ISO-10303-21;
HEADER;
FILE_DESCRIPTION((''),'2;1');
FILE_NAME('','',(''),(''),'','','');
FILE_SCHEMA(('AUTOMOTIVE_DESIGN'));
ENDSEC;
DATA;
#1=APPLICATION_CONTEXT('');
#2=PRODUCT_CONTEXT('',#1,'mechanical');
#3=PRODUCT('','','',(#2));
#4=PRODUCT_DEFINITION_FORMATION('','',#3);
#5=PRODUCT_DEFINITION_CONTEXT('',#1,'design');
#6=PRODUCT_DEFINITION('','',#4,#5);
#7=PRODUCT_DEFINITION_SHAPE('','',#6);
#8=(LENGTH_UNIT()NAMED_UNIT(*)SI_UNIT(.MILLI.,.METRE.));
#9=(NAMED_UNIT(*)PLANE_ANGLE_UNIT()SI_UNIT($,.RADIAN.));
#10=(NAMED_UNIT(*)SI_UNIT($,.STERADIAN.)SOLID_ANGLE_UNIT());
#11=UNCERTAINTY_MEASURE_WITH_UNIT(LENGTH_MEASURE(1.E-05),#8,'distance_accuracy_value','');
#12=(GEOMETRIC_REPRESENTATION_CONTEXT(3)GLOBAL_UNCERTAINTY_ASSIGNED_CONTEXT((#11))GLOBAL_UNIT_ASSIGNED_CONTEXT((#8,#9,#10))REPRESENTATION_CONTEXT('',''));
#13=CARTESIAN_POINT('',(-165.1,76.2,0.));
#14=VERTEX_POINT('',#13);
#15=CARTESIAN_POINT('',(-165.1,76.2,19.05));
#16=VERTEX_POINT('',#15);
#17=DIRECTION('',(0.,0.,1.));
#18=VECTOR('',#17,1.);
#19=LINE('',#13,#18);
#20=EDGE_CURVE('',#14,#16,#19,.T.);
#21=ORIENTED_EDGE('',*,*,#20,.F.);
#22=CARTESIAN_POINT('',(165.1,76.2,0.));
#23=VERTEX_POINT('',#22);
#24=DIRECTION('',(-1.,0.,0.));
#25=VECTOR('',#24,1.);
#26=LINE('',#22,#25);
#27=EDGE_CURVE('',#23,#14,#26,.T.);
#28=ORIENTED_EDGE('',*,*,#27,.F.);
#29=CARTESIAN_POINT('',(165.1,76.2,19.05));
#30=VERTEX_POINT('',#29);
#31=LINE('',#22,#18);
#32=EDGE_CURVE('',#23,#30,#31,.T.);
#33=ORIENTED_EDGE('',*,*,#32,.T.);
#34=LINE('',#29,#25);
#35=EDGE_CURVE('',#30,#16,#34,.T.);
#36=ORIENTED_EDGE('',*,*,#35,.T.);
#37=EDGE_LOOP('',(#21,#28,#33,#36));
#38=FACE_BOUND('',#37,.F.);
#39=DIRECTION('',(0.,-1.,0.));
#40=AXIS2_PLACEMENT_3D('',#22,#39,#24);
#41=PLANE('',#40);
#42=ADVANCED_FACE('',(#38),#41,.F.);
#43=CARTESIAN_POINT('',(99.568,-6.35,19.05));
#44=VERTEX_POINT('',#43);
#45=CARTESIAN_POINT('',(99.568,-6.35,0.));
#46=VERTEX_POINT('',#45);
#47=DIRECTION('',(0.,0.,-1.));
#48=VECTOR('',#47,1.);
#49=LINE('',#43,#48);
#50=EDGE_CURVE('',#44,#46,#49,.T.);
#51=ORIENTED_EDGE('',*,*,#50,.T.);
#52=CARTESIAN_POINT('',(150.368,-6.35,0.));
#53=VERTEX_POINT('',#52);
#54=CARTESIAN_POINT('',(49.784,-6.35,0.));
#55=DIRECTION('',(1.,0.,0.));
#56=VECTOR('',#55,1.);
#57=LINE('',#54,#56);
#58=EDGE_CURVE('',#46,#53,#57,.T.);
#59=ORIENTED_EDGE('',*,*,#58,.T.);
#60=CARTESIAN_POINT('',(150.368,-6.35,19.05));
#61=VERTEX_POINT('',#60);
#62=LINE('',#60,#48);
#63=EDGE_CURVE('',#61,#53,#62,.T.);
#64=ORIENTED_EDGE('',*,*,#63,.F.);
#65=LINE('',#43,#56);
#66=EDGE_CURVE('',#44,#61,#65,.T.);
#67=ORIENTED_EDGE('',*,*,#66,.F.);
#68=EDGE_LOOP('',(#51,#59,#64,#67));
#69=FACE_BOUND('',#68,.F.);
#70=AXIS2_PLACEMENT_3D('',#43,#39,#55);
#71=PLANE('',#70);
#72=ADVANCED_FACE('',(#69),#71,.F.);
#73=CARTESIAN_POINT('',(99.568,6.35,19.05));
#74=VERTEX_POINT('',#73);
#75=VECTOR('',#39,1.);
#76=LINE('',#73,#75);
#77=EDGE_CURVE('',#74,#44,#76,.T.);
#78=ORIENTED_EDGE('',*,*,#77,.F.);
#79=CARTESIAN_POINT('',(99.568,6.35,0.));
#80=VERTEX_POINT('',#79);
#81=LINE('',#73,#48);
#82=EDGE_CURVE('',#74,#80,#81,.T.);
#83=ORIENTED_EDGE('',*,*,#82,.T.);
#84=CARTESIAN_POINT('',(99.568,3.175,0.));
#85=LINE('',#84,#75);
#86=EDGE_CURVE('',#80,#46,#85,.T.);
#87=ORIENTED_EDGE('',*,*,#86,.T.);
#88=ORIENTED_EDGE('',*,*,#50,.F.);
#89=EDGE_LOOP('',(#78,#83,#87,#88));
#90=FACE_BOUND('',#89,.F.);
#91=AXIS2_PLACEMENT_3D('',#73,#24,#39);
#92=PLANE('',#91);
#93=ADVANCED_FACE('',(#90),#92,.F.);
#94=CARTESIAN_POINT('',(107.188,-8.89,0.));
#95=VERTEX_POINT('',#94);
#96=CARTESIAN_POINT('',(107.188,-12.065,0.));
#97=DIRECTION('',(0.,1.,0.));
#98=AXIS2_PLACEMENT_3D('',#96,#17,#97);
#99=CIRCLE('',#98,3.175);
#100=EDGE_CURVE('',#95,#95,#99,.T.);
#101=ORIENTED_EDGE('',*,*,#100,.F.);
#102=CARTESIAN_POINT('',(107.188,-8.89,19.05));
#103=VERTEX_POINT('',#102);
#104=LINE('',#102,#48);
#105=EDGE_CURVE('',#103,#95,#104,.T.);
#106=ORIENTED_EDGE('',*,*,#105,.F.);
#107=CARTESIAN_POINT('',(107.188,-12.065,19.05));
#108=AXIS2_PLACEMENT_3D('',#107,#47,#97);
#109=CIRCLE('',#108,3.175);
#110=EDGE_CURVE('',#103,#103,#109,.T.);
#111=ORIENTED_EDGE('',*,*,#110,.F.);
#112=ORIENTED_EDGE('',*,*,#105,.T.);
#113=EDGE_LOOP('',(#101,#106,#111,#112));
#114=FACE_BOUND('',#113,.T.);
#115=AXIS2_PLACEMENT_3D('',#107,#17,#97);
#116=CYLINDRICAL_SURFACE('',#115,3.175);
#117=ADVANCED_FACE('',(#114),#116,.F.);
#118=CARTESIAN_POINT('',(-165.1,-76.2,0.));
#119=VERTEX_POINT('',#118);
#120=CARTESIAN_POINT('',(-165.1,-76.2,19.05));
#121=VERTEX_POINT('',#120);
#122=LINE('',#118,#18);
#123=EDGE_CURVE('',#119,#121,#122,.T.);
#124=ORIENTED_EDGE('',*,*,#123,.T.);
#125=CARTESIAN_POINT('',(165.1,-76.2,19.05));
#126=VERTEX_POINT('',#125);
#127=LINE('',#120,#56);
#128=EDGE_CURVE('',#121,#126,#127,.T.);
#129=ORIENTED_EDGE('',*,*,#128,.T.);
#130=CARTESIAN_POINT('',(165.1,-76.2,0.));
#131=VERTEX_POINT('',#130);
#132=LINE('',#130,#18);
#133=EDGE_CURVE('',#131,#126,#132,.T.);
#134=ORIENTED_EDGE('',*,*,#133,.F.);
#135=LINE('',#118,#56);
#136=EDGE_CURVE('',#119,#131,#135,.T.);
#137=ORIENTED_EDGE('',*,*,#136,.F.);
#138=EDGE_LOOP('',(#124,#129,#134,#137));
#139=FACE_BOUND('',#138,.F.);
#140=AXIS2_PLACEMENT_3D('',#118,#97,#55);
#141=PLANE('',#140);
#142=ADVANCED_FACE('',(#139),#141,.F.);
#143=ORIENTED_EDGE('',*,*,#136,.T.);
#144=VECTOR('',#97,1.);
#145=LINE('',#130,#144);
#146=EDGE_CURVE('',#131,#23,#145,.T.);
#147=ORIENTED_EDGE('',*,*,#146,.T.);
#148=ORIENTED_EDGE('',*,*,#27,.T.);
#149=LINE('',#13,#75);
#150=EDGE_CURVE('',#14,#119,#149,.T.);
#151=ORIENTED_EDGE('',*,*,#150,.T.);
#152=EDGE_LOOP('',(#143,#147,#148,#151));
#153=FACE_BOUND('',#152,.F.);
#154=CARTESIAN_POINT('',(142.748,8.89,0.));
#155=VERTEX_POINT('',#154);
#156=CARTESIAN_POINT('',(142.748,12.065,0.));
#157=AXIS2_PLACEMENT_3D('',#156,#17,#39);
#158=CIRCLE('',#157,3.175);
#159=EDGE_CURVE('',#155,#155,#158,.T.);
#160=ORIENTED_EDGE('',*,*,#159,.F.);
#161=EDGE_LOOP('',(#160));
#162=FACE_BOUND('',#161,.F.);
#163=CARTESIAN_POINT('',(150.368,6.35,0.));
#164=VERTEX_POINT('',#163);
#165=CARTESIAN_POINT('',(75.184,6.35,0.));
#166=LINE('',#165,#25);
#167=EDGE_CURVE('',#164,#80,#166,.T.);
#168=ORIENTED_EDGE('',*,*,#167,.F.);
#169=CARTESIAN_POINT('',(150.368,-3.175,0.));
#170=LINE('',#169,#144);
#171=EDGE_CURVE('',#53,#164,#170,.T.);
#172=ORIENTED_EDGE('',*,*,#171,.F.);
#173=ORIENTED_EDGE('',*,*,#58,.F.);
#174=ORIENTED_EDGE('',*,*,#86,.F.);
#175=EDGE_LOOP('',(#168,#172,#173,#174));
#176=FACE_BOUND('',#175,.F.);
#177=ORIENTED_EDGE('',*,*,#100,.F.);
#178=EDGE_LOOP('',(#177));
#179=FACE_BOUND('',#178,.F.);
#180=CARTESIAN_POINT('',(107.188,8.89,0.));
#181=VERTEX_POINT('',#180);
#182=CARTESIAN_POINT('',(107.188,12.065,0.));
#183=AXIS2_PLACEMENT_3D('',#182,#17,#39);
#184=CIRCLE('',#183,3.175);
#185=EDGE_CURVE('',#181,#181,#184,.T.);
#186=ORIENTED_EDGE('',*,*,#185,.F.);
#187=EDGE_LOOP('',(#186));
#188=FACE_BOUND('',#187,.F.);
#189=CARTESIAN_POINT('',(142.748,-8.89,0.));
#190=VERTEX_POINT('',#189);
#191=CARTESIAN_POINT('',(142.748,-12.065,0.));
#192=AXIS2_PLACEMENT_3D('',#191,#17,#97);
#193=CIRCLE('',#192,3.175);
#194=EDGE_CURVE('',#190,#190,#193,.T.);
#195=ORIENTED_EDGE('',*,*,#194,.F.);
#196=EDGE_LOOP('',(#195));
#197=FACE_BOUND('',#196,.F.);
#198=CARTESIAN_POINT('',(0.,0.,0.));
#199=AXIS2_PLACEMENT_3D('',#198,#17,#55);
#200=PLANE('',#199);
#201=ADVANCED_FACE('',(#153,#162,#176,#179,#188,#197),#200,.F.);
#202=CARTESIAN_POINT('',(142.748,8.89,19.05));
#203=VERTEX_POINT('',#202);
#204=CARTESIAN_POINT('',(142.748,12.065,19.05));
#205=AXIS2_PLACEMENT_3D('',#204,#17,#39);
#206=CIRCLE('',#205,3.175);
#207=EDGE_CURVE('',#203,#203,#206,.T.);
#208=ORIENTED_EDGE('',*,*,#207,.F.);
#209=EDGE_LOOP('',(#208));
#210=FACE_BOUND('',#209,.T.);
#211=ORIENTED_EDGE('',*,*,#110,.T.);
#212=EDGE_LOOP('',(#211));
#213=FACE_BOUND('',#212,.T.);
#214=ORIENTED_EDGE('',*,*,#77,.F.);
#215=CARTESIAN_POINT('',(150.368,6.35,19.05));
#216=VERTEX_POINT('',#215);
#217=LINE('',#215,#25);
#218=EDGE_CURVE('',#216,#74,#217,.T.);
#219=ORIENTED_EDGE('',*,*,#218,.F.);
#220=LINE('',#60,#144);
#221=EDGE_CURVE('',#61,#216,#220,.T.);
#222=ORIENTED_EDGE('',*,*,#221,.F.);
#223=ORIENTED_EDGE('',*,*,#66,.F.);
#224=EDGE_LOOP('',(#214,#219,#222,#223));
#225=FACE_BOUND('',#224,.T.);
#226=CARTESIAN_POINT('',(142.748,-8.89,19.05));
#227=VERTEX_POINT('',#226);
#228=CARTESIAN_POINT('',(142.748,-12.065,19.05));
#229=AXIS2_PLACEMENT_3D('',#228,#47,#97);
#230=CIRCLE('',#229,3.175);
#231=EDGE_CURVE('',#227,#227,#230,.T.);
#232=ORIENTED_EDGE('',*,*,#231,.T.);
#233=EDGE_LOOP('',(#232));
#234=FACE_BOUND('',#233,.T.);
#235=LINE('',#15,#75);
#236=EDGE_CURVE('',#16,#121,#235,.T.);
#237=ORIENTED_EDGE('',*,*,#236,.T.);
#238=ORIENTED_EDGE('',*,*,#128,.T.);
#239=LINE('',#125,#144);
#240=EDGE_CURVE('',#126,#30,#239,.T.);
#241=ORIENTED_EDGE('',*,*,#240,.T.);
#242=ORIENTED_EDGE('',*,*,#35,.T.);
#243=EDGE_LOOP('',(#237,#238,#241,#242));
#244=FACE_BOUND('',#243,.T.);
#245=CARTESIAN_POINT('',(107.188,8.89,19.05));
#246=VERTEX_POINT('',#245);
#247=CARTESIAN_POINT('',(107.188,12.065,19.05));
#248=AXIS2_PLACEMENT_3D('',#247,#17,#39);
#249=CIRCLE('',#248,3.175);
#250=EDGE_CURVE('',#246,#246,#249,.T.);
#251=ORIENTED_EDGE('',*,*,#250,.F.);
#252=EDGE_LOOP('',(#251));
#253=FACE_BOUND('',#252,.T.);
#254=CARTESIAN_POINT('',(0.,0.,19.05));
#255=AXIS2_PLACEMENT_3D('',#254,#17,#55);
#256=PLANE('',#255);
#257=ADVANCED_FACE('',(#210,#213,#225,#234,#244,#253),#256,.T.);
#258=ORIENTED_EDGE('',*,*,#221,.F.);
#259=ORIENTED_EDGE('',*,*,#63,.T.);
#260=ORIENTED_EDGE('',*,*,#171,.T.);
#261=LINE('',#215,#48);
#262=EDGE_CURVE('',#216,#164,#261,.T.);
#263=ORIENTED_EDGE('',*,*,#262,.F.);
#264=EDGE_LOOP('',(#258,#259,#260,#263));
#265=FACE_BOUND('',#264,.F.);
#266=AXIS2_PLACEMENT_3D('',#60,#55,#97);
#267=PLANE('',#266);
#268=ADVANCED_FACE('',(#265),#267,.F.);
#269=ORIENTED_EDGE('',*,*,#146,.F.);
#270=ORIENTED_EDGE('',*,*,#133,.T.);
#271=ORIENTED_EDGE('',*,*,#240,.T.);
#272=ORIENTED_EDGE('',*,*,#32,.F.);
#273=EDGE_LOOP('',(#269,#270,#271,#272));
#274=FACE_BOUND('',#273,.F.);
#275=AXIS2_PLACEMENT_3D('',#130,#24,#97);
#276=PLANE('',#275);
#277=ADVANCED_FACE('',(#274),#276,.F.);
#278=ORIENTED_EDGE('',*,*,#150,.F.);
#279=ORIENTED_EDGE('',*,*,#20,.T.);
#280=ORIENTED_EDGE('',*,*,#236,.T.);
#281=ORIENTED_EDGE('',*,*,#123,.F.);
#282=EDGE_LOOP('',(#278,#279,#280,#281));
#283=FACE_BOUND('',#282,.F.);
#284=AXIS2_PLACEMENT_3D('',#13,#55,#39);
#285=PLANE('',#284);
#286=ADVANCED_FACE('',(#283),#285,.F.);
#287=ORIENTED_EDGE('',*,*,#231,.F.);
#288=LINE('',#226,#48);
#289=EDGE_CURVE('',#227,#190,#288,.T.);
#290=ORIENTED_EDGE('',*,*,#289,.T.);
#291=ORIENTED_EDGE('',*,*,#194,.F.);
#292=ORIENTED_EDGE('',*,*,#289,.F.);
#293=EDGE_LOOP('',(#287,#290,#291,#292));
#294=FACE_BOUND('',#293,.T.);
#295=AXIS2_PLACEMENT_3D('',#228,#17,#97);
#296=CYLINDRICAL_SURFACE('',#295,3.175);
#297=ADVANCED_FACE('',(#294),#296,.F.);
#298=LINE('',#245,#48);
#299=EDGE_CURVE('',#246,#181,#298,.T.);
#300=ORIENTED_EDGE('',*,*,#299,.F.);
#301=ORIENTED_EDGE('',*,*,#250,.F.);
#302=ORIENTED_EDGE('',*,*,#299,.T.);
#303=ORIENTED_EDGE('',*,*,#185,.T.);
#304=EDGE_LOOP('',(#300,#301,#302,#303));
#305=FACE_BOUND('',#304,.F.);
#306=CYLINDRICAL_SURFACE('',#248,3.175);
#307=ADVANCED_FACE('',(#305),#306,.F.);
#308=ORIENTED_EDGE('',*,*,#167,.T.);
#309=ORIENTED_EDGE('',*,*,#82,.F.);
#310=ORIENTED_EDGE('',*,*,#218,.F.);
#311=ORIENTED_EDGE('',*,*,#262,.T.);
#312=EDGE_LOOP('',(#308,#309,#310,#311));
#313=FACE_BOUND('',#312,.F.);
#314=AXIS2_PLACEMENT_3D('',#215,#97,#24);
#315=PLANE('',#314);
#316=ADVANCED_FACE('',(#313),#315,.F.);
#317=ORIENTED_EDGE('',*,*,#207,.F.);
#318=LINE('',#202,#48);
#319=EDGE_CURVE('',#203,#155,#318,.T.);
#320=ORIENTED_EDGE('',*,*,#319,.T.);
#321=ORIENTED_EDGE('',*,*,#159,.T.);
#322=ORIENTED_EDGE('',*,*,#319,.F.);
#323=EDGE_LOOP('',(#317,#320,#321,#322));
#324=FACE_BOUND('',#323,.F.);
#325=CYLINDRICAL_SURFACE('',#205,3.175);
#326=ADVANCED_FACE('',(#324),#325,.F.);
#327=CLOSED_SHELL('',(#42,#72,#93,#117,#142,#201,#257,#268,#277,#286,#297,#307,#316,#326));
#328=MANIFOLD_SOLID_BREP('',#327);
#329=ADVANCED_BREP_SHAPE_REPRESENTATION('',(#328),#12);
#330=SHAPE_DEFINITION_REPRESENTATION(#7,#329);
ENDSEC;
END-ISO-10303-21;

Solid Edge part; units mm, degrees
sketch "Sketch1" plane through (0, 0, 0) normal (0, 0, 1) x (1, 0, 0)
  line L0 (-165.1, -76.2) -> (165.1, -76.2)
  line L1 (165.1, -76.2) -> (165.1, 76.2)
  line L2 (165.1, 76.2) -> (-165.1, 76.2)
  line L3 (-165.1, 76.2) -> (-165.1, -76.2)
  dimension "D1" = 330.2
  dimension "D2" = 152.4
extrude "Protrusion1" add sketch "Sketch1" along normal blind 19.05
sketch "Sketch2" plane through (0, 0, 19.05) normal (0, 0, 1) x (1, 0, 0)
  line L0 (99.568, -6.35) -> (150.368, -6.35)
  line L1 (150.368, -6.35) -> (150.368, 6.35)
  line L2 (150.368, 6.35) -> (99.568, 6.35)
  line L3 (99.568, 6.35) -> (99.568, -6.35)
  dimension "D1" = 264.668
  dimension "D2" = 50.8
  dimension "D3" = 12.7
extrude "ExtrudedCutout_2" cut sketch "Sketch2" against normal blind 25.4
sketch "Sketch3" plane through (0, 0, 19.05) normal (0, 0, 1) x (0, -1, 0)
  circle A0 centre (-12.065, 107.188) radius 3.175
  circle A1 centre (-12.065, 142.748) radius 3.175
  dimension "D1" = 12.065
  dimension "D2" = 35.56
  dimension "D3" = 22.352
extrude "TopPivotMountHole12" cut sketch "Sketch3" against normal blind 25.4
mirror "Mirror1" about plane through (0, 0, 0) normal (0, -1, 0) of "TopPivotMountHole12"
properties material "Wood, Oak"
